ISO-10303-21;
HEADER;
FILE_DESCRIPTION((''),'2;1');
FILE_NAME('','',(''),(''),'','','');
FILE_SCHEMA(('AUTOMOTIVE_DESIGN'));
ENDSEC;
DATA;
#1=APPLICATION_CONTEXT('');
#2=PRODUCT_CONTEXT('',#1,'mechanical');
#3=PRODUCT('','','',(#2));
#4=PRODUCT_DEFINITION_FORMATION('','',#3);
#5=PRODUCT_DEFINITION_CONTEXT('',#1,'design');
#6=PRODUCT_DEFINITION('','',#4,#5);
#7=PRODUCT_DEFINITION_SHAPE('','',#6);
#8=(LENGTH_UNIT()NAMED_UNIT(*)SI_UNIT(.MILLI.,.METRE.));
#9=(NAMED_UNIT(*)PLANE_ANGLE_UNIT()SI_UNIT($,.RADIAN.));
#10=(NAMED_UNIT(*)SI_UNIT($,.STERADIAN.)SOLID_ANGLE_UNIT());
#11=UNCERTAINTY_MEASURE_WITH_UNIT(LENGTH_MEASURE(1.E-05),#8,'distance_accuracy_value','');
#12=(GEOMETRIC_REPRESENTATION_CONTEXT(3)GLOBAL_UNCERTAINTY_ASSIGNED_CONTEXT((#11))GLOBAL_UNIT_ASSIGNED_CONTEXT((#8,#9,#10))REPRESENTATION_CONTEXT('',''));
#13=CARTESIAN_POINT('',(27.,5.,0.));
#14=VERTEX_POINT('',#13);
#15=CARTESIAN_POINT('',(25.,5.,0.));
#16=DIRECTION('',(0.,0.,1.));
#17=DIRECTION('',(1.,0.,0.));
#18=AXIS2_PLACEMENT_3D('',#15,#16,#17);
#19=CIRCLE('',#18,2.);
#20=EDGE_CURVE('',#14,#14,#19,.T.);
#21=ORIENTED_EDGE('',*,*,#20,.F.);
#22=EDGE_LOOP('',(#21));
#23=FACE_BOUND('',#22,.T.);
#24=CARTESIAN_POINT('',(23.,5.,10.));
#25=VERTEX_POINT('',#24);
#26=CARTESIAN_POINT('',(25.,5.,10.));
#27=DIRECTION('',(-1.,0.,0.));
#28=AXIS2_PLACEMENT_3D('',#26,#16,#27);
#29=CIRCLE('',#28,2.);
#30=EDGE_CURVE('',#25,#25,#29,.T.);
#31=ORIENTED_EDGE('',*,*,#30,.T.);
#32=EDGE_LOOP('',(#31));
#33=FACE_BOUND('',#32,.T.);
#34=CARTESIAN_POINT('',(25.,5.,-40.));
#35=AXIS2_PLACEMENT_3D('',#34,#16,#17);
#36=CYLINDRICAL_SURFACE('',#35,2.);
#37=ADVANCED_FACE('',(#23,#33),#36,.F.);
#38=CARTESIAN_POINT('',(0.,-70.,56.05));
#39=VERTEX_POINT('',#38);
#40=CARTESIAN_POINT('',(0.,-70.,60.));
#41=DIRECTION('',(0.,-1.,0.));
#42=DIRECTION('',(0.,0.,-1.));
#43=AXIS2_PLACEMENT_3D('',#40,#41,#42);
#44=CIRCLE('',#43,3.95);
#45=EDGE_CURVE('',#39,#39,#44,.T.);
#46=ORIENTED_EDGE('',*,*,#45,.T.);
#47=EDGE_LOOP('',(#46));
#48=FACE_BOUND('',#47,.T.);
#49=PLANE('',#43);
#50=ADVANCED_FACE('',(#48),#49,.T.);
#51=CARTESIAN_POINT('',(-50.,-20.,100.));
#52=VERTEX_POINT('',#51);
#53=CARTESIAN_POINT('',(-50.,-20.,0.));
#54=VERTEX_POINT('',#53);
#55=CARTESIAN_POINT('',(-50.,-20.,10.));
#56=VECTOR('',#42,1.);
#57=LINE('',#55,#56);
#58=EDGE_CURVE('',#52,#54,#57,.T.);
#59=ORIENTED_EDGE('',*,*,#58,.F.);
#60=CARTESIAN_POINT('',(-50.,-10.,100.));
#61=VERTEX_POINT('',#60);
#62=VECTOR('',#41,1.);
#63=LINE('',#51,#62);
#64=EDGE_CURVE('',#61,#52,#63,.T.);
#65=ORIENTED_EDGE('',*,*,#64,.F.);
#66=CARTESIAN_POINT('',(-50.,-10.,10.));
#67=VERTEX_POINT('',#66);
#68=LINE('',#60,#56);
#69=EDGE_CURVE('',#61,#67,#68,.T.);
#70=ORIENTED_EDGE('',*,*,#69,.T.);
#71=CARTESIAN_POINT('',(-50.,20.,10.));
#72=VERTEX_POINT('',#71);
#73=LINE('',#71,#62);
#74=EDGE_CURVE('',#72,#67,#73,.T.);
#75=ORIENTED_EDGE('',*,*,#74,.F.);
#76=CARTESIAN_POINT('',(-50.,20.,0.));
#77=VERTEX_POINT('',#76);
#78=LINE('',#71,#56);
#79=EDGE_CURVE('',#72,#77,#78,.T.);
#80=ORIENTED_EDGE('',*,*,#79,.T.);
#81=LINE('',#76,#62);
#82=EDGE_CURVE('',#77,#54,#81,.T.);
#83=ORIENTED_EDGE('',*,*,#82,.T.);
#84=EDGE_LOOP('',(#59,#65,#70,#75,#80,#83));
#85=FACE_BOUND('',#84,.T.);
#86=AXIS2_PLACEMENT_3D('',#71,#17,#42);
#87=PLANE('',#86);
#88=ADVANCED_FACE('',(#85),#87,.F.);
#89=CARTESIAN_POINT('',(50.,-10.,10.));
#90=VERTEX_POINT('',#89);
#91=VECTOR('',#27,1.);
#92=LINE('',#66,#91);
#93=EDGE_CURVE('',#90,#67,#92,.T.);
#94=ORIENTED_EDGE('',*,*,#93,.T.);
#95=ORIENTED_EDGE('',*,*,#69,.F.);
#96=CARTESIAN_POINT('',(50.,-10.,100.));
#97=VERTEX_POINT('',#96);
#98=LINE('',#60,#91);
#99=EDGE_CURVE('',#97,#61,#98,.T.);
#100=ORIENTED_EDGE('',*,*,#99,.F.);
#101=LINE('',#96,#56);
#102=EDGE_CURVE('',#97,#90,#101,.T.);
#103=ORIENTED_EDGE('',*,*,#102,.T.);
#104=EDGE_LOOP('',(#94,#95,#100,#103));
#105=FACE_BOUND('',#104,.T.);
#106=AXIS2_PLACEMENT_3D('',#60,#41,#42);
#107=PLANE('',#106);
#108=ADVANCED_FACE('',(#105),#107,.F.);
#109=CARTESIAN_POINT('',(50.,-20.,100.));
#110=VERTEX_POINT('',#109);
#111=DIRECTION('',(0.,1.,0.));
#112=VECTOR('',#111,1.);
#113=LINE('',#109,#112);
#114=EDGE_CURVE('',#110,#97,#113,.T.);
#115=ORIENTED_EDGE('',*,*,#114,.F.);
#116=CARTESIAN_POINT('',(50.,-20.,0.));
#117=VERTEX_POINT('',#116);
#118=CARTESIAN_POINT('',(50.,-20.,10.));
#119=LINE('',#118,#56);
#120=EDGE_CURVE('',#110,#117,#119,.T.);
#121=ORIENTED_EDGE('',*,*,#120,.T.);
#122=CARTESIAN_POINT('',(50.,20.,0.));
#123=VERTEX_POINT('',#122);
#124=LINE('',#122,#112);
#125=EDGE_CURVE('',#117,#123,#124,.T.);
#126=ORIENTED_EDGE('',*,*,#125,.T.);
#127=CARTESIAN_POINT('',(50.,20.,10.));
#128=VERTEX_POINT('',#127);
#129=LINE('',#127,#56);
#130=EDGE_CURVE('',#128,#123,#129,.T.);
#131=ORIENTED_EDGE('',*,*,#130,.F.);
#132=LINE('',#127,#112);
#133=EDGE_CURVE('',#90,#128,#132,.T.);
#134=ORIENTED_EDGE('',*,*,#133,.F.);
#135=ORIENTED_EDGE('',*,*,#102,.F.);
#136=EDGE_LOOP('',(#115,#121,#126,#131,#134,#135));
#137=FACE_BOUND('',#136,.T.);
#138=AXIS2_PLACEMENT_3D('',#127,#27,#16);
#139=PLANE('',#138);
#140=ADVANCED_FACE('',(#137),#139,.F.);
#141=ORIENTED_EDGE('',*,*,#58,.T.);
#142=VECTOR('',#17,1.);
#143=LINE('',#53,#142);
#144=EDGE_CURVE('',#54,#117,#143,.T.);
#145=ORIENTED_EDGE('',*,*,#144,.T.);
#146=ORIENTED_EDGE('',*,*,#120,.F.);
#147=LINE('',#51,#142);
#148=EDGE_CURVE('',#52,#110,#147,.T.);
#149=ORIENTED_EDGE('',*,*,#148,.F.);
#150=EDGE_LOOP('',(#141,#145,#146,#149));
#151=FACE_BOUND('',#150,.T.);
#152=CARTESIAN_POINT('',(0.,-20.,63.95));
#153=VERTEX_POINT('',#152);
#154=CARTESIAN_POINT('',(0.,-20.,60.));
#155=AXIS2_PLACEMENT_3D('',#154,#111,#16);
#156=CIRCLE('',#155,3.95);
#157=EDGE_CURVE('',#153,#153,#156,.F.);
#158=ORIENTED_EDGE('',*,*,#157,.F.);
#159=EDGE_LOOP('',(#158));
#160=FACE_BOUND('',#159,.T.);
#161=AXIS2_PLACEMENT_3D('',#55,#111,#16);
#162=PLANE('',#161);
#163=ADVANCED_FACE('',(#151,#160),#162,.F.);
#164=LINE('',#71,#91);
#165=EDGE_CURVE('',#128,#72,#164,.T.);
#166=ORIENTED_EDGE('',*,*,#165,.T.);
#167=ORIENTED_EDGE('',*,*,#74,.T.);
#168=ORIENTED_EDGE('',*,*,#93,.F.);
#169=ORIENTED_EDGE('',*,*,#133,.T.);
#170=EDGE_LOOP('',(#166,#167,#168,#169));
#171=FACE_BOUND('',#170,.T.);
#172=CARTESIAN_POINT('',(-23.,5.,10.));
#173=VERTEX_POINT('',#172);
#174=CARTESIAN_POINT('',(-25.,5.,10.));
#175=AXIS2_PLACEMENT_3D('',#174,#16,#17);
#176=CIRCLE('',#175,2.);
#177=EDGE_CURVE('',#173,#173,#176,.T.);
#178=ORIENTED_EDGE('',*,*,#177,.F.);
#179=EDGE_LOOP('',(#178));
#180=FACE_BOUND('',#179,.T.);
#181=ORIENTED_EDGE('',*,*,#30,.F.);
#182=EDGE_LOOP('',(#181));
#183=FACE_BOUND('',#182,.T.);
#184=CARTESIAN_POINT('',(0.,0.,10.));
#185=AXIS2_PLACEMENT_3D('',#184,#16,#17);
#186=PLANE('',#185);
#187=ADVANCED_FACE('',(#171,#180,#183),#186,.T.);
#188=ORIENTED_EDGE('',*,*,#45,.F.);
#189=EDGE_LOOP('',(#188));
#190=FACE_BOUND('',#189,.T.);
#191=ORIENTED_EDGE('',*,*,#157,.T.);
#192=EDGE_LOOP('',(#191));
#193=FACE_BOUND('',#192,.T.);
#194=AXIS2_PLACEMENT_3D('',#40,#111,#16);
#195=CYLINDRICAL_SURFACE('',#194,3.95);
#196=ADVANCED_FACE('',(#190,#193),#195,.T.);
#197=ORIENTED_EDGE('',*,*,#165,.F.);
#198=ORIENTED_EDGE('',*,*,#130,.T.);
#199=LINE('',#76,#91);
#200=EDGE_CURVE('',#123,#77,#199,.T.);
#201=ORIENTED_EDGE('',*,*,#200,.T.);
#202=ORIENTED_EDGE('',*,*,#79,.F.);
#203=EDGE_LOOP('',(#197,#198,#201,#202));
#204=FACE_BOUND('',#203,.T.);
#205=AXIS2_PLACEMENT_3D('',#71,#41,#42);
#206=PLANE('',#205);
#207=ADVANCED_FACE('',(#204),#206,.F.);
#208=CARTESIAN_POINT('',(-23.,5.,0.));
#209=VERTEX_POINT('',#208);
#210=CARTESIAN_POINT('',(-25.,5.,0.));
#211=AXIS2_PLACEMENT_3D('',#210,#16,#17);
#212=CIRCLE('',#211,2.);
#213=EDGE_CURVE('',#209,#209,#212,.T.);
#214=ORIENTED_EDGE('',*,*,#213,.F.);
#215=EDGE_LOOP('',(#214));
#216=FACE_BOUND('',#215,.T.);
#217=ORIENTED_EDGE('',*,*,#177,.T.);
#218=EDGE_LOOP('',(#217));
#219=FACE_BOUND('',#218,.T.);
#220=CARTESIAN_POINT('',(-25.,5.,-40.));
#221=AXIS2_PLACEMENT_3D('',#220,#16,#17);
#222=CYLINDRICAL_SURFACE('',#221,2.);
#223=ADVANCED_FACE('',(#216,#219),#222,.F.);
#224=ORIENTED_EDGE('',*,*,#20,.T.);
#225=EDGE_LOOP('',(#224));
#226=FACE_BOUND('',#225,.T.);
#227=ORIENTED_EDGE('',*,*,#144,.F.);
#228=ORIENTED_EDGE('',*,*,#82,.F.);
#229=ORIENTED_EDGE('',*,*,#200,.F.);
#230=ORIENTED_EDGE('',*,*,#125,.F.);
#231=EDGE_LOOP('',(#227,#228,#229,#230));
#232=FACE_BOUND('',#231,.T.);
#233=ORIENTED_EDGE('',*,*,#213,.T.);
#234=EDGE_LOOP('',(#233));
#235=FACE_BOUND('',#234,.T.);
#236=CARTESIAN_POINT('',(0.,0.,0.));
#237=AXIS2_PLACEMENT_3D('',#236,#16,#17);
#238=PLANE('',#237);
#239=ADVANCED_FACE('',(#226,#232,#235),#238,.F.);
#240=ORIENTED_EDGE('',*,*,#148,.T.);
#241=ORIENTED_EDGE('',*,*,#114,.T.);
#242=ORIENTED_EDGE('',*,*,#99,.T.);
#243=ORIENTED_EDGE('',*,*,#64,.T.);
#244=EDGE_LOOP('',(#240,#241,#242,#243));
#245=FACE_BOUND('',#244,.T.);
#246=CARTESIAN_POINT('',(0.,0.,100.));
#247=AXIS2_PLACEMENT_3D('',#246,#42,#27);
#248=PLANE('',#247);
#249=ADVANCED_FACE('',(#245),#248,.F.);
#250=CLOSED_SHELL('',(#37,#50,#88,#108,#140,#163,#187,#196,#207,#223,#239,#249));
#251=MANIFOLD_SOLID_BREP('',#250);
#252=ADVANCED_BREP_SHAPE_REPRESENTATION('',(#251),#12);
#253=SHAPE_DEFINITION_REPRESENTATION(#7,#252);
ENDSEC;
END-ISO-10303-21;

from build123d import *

# Parameters (mm, degrees)
SKETCH1_W           = 100
SKETCH1_H           = 40
BOSS_EXTRUDE1_DEPTH = 10
SKETCH2_W           = 100
SKETCH2_H           = 10
BOSS_EXTRUDE2_DEPTH = 90
SKETCH3_R           = 3.95
BOSS_EXTRUDE3_DEPTH = 50
SKETCH4_R           = 2
CUT_EXTRUDE1_DEPTH  = 50


with BuildPart() as part:
    # Sketch1 → Boss-Extrude1 (new body)
    with BuildSketch(Plane.XY):
        Rectangle(SKETCH1_W, SKETCH1_H)
    extrude(amount=BOSS_EXTRUDE1_DEPTH)

    # Sketch2 → Boss-Extrude2 (add)
    with BuildSketch(Plane.XY.offset(10)):
        with Locations((0, -15)):
            Rectangle(SKETCH2_W, SKETCH2_H)
    extrude(amount=BOSS_EXTRUDE2_DEPTH)

    # Sketch3 → Boss-Extrude3 (add)
    with BuildSketch(Plane.XZ.offset(20)):
        with Locations(Location((0, 60, 0), (0, 0, 90))):
            Circle(SKETCH3_R)
    extrude(amount=BOSS_EXTRUDE3_DEPTH)

    # Sketch4 → Cut-Extrude1 (cut)
    with BuildSketch(Plane.XY.offset(10)):
        with Locations((-25, 5)):
            Circle(SKETCH4_R)
        with Locations((25, 5)):
            Circle(SKETCH4_R)
    extrude(amount=-CUT_EXTRUDE1_DEPTH, mode=Mode.SUBTRACT)


solid = part.part
